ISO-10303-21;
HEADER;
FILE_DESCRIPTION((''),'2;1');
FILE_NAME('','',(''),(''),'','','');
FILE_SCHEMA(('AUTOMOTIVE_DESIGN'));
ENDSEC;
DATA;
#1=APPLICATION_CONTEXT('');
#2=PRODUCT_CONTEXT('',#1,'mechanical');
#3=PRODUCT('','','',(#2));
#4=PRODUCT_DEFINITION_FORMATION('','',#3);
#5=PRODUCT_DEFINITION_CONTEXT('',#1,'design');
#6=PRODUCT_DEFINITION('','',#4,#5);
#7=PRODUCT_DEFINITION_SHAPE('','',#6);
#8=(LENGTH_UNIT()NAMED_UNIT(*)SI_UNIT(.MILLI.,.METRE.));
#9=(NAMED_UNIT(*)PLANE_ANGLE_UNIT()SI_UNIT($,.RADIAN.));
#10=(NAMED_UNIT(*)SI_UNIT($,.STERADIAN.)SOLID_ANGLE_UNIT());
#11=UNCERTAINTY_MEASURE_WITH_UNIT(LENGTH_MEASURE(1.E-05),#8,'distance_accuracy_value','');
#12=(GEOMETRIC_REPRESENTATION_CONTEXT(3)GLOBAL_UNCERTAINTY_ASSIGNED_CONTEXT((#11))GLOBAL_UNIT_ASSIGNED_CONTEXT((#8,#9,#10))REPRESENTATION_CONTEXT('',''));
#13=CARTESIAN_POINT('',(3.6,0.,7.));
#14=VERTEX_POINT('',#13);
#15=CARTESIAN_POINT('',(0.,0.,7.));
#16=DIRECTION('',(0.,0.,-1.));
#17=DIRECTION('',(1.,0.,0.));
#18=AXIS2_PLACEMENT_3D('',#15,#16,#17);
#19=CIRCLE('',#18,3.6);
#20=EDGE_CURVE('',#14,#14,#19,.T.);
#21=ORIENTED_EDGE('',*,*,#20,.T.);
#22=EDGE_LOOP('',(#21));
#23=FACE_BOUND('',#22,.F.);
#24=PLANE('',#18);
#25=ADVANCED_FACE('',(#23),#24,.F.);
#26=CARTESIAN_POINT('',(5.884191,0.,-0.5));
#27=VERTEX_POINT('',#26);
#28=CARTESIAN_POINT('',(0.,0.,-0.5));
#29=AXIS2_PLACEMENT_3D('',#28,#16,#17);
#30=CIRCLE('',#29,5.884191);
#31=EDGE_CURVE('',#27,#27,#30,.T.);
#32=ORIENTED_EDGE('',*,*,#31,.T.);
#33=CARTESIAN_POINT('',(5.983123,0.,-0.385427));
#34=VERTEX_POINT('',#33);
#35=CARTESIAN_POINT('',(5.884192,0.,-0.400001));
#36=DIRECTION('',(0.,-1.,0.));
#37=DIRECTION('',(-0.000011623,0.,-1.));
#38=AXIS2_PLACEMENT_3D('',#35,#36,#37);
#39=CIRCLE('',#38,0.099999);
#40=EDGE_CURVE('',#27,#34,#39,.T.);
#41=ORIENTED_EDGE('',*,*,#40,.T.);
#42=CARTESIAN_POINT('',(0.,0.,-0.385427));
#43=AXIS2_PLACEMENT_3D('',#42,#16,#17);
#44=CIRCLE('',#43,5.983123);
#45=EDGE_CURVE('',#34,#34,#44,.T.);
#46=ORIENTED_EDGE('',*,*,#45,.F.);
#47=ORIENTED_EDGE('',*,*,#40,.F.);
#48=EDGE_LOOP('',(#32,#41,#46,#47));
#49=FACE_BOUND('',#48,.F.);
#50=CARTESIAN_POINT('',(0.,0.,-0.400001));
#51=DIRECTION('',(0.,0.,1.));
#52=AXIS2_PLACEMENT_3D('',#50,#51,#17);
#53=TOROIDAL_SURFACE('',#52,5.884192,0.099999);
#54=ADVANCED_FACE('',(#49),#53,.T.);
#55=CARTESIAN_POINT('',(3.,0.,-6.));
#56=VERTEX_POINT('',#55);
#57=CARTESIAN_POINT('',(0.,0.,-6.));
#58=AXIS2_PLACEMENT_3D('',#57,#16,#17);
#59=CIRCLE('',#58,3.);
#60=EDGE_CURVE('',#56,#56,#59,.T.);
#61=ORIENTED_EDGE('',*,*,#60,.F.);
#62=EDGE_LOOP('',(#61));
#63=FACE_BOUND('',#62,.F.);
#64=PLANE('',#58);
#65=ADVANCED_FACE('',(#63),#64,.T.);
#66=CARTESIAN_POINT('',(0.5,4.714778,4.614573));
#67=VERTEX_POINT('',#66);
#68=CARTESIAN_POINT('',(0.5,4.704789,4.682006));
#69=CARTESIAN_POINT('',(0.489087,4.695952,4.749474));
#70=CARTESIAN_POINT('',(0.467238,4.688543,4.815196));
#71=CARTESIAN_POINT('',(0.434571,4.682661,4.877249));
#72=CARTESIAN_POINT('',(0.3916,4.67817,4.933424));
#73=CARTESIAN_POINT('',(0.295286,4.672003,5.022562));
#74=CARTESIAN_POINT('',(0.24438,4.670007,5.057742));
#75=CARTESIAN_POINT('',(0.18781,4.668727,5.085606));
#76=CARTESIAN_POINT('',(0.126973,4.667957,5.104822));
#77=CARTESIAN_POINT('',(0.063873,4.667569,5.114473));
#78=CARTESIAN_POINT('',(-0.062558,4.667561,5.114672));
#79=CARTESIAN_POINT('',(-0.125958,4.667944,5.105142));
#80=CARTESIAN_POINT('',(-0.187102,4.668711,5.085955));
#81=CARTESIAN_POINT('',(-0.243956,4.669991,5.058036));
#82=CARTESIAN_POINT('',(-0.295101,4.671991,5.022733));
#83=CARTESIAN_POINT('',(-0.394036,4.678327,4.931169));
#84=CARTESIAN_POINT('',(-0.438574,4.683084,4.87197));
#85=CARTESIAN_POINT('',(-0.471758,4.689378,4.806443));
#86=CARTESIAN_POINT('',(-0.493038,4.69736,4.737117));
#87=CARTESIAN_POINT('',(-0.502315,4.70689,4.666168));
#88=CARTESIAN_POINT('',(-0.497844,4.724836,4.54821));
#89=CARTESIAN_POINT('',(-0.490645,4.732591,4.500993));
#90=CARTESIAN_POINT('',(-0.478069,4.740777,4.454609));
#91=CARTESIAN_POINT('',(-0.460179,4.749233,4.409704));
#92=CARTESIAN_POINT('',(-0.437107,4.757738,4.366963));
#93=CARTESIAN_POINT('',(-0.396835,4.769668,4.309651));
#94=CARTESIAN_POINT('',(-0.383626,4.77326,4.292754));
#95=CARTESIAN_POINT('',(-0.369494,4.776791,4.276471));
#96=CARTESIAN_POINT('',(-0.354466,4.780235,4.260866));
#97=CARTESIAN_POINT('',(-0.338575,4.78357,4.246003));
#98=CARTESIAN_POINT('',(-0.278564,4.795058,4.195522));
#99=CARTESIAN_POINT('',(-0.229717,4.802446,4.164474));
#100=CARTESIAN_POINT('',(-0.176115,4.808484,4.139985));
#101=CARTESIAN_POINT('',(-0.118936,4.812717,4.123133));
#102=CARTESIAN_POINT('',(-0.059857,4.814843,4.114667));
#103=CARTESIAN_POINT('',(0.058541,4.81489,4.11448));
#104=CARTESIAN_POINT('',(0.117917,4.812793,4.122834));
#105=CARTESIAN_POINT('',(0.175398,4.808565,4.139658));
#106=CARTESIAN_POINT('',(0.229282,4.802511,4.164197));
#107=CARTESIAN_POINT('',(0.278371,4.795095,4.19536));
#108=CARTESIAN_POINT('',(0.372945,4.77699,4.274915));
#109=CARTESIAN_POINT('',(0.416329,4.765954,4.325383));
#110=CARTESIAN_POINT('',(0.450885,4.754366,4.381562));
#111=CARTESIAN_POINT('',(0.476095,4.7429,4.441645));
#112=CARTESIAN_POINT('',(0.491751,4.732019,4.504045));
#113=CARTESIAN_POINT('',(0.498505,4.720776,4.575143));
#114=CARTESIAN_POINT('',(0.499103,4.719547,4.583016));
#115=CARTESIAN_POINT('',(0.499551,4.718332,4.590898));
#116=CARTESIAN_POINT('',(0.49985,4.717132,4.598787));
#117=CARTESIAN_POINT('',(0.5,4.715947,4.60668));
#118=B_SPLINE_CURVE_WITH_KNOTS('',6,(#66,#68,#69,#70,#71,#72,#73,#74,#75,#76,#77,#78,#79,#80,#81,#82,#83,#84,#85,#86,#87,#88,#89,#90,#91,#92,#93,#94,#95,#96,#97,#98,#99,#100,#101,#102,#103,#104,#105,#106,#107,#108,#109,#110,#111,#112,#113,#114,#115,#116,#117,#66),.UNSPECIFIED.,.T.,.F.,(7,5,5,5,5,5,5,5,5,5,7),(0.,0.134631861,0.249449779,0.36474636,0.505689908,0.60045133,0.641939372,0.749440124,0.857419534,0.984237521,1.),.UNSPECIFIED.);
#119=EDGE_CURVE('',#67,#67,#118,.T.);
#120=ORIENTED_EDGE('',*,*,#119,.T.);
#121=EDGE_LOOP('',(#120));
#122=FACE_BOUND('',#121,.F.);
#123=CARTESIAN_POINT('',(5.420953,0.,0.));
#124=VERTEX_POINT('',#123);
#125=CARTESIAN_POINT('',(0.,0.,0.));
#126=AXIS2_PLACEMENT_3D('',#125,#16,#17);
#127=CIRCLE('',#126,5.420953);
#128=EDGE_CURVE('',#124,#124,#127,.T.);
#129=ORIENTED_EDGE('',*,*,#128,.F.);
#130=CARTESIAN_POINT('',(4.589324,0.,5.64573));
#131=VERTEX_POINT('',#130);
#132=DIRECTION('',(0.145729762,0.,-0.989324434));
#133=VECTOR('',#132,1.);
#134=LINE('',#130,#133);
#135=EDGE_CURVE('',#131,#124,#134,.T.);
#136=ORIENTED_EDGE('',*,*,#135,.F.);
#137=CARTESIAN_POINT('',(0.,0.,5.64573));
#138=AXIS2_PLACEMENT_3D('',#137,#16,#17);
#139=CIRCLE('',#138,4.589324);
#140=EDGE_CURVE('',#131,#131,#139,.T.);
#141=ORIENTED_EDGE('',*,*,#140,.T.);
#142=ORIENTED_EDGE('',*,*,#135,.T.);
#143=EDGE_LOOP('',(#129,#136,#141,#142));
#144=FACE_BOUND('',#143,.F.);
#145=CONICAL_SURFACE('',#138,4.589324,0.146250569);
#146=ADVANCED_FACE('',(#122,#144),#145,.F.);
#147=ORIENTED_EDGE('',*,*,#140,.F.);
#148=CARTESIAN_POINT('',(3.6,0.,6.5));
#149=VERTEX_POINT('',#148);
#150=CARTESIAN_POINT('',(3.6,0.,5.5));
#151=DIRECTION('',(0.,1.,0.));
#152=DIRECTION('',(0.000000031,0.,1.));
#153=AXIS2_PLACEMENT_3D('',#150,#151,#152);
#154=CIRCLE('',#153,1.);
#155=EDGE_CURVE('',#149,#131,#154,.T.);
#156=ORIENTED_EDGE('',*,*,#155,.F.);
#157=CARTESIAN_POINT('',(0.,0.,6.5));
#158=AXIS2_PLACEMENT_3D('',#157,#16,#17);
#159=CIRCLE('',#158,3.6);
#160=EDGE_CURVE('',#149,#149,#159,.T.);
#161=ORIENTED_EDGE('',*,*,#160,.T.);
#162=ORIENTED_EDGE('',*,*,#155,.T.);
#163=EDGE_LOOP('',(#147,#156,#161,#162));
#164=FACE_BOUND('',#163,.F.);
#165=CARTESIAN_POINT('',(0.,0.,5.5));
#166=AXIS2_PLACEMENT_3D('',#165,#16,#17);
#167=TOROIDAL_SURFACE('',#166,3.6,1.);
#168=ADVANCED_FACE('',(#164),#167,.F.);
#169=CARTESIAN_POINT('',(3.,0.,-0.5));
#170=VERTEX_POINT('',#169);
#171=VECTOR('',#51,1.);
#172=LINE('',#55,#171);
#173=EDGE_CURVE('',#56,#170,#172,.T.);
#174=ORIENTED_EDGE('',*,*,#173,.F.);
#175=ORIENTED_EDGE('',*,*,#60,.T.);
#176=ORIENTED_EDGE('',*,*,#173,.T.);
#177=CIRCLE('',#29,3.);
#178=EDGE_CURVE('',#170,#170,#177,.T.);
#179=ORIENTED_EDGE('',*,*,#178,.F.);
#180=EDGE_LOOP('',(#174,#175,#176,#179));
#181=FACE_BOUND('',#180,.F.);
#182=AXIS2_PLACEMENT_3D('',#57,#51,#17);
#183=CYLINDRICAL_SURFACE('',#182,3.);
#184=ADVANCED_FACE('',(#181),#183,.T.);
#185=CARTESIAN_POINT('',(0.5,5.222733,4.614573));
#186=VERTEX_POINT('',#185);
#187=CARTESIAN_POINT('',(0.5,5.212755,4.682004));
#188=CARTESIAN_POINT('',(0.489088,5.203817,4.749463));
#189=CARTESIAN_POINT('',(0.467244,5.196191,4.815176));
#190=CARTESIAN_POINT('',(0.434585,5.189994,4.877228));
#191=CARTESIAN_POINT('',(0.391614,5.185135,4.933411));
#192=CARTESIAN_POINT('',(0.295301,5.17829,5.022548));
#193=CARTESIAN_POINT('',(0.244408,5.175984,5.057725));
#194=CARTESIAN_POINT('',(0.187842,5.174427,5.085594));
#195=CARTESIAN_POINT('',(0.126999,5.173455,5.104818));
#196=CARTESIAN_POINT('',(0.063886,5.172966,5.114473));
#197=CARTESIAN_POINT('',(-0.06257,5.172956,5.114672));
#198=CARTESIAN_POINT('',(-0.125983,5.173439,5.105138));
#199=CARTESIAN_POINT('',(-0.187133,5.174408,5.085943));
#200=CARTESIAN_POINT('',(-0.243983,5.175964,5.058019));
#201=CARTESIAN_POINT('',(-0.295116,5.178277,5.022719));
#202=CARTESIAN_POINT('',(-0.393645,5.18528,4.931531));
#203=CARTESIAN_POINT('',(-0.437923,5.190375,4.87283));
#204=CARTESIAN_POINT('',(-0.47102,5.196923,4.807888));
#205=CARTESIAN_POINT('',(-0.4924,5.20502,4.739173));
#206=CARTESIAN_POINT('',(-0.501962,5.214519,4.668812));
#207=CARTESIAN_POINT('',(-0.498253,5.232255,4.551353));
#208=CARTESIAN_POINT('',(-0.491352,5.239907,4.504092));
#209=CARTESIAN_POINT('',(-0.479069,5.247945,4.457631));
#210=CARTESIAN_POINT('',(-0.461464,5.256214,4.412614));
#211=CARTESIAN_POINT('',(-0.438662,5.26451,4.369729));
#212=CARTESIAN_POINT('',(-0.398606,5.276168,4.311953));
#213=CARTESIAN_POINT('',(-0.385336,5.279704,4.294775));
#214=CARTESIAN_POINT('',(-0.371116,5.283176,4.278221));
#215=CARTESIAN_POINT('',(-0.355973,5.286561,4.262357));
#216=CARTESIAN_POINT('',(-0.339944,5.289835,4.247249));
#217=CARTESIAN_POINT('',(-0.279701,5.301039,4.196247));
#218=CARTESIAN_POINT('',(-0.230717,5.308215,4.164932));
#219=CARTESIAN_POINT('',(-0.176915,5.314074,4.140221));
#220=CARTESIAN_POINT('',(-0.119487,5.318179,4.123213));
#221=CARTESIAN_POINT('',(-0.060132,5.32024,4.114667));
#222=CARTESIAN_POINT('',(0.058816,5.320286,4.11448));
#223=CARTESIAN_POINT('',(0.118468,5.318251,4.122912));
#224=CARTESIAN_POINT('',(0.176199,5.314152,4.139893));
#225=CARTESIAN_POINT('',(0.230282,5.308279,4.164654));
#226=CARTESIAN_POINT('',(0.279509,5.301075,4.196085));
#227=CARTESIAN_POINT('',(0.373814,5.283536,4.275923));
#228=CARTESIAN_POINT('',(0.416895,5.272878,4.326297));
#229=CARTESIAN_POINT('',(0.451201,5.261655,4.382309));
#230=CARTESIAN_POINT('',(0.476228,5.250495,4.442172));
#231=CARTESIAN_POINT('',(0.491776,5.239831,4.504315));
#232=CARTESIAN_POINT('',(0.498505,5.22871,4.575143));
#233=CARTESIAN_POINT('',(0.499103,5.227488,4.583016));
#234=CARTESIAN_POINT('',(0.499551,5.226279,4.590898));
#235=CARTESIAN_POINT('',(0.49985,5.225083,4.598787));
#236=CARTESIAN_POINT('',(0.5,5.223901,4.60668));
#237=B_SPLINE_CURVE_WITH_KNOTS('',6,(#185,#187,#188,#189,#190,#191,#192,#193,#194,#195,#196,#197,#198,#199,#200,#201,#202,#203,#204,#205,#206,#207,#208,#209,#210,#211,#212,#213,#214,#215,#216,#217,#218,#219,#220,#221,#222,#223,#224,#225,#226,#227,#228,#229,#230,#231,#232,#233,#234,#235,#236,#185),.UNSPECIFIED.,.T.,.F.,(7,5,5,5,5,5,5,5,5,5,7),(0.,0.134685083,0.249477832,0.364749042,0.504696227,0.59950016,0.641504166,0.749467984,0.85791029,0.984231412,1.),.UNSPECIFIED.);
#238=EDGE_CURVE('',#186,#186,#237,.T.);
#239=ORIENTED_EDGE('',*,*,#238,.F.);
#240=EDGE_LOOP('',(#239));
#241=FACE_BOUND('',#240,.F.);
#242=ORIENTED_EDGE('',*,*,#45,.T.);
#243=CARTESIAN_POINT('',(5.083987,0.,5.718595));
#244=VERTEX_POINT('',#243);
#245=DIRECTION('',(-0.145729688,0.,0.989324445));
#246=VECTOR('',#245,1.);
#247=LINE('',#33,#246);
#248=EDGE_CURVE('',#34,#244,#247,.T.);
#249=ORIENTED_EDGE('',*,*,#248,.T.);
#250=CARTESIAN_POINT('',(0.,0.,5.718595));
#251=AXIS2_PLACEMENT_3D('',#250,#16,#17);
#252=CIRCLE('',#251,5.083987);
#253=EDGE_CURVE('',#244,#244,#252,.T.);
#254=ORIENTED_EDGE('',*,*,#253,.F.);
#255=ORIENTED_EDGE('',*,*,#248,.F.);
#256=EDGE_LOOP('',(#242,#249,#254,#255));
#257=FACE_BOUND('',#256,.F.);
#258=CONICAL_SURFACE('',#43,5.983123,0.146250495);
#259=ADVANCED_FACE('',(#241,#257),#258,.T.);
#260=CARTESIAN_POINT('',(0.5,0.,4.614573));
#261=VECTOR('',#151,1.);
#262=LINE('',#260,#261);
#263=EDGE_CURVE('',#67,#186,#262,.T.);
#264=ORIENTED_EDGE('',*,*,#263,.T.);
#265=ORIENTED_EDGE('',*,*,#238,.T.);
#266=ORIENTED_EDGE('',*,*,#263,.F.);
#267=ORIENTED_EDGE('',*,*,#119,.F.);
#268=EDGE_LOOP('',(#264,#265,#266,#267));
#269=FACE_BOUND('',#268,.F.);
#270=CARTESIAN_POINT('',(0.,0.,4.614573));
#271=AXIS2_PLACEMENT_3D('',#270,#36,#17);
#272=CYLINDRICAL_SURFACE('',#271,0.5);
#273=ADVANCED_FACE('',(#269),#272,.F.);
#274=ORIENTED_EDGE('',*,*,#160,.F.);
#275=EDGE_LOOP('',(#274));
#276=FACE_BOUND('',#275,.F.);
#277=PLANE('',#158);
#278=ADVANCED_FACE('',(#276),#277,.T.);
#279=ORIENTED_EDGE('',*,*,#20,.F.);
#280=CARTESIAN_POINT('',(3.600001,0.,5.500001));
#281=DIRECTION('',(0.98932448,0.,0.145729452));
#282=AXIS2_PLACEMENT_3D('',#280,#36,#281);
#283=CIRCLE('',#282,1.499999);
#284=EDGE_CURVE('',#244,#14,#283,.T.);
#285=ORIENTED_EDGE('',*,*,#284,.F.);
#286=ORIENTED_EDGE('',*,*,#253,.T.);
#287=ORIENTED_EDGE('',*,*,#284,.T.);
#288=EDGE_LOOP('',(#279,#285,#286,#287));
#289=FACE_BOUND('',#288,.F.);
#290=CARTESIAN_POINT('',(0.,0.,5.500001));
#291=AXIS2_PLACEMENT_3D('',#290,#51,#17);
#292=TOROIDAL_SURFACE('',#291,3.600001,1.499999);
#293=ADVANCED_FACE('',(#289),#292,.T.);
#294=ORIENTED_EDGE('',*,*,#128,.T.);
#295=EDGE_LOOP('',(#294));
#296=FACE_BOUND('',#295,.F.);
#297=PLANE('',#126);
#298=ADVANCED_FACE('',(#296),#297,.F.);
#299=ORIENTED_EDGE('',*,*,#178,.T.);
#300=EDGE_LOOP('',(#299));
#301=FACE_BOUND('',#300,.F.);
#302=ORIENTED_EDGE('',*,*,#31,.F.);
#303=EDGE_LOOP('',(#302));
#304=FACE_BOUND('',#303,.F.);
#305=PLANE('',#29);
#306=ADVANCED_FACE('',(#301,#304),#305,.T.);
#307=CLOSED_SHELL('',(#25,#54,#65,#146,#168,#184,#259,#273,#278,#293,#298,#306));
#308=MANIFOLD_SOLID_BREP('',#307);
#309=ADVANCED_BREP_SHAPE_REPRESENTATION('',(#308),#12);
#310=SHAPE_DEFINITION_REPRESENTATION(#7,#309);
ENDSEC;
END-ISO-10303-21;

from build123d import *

# Parameters (mm, degrees)
F2_R     = 0.5
F3_DEPTH = 25


with BuildPart() as f1:
    # F0 (on Front) → F1 (revolve)
    with BuildSketch(Plane.XZ):
        with BuildLine():
            Line((5.420953, 0), (0, 0))
            Line((0, 0), (0, -0.5))
            Line((0, -0.5), (0, -6))
            Line((0, -6), (3, -6))
            Line((3, -6), (3, -0.5))
            Line((3, -0.5), (5.884191, -0.5))
            ThreePointArc((5.884191, -0.5), (5.959879, -0.465356), (5.983123, -0.385427))
            Line((5.983123, -0.385427), (5.083987, 5.718595))
            ThreePointArc((5.083987, 5.718595), (4.580334, 6.635318), (3.6, 7))
            Line((3.6, 7), (0, 7))
            Line((0, 7), (0, 6.5))
            Line((0, 6.5), (3.6, 6.5))
            ThreePointArc((3.6, 6.5), (4.253556, 6.256878), (4.589324, 5.64573))
            Line((4.589324, 5.64573), (5.420953, 0))
        make_face()
    revolve(axis=Axis((0, 0, 3.25), (0, 0, -1)))

    # F2 (on Front) → F3 (cut)
    with BuildSketch(Plane.XZ):
        with Locations((0, 4.614573)):
            Circle(F2_R)
    extrude(amount=-F3_DEPTH, mode=Mode.SUBTRACT)


solid = f1.part
